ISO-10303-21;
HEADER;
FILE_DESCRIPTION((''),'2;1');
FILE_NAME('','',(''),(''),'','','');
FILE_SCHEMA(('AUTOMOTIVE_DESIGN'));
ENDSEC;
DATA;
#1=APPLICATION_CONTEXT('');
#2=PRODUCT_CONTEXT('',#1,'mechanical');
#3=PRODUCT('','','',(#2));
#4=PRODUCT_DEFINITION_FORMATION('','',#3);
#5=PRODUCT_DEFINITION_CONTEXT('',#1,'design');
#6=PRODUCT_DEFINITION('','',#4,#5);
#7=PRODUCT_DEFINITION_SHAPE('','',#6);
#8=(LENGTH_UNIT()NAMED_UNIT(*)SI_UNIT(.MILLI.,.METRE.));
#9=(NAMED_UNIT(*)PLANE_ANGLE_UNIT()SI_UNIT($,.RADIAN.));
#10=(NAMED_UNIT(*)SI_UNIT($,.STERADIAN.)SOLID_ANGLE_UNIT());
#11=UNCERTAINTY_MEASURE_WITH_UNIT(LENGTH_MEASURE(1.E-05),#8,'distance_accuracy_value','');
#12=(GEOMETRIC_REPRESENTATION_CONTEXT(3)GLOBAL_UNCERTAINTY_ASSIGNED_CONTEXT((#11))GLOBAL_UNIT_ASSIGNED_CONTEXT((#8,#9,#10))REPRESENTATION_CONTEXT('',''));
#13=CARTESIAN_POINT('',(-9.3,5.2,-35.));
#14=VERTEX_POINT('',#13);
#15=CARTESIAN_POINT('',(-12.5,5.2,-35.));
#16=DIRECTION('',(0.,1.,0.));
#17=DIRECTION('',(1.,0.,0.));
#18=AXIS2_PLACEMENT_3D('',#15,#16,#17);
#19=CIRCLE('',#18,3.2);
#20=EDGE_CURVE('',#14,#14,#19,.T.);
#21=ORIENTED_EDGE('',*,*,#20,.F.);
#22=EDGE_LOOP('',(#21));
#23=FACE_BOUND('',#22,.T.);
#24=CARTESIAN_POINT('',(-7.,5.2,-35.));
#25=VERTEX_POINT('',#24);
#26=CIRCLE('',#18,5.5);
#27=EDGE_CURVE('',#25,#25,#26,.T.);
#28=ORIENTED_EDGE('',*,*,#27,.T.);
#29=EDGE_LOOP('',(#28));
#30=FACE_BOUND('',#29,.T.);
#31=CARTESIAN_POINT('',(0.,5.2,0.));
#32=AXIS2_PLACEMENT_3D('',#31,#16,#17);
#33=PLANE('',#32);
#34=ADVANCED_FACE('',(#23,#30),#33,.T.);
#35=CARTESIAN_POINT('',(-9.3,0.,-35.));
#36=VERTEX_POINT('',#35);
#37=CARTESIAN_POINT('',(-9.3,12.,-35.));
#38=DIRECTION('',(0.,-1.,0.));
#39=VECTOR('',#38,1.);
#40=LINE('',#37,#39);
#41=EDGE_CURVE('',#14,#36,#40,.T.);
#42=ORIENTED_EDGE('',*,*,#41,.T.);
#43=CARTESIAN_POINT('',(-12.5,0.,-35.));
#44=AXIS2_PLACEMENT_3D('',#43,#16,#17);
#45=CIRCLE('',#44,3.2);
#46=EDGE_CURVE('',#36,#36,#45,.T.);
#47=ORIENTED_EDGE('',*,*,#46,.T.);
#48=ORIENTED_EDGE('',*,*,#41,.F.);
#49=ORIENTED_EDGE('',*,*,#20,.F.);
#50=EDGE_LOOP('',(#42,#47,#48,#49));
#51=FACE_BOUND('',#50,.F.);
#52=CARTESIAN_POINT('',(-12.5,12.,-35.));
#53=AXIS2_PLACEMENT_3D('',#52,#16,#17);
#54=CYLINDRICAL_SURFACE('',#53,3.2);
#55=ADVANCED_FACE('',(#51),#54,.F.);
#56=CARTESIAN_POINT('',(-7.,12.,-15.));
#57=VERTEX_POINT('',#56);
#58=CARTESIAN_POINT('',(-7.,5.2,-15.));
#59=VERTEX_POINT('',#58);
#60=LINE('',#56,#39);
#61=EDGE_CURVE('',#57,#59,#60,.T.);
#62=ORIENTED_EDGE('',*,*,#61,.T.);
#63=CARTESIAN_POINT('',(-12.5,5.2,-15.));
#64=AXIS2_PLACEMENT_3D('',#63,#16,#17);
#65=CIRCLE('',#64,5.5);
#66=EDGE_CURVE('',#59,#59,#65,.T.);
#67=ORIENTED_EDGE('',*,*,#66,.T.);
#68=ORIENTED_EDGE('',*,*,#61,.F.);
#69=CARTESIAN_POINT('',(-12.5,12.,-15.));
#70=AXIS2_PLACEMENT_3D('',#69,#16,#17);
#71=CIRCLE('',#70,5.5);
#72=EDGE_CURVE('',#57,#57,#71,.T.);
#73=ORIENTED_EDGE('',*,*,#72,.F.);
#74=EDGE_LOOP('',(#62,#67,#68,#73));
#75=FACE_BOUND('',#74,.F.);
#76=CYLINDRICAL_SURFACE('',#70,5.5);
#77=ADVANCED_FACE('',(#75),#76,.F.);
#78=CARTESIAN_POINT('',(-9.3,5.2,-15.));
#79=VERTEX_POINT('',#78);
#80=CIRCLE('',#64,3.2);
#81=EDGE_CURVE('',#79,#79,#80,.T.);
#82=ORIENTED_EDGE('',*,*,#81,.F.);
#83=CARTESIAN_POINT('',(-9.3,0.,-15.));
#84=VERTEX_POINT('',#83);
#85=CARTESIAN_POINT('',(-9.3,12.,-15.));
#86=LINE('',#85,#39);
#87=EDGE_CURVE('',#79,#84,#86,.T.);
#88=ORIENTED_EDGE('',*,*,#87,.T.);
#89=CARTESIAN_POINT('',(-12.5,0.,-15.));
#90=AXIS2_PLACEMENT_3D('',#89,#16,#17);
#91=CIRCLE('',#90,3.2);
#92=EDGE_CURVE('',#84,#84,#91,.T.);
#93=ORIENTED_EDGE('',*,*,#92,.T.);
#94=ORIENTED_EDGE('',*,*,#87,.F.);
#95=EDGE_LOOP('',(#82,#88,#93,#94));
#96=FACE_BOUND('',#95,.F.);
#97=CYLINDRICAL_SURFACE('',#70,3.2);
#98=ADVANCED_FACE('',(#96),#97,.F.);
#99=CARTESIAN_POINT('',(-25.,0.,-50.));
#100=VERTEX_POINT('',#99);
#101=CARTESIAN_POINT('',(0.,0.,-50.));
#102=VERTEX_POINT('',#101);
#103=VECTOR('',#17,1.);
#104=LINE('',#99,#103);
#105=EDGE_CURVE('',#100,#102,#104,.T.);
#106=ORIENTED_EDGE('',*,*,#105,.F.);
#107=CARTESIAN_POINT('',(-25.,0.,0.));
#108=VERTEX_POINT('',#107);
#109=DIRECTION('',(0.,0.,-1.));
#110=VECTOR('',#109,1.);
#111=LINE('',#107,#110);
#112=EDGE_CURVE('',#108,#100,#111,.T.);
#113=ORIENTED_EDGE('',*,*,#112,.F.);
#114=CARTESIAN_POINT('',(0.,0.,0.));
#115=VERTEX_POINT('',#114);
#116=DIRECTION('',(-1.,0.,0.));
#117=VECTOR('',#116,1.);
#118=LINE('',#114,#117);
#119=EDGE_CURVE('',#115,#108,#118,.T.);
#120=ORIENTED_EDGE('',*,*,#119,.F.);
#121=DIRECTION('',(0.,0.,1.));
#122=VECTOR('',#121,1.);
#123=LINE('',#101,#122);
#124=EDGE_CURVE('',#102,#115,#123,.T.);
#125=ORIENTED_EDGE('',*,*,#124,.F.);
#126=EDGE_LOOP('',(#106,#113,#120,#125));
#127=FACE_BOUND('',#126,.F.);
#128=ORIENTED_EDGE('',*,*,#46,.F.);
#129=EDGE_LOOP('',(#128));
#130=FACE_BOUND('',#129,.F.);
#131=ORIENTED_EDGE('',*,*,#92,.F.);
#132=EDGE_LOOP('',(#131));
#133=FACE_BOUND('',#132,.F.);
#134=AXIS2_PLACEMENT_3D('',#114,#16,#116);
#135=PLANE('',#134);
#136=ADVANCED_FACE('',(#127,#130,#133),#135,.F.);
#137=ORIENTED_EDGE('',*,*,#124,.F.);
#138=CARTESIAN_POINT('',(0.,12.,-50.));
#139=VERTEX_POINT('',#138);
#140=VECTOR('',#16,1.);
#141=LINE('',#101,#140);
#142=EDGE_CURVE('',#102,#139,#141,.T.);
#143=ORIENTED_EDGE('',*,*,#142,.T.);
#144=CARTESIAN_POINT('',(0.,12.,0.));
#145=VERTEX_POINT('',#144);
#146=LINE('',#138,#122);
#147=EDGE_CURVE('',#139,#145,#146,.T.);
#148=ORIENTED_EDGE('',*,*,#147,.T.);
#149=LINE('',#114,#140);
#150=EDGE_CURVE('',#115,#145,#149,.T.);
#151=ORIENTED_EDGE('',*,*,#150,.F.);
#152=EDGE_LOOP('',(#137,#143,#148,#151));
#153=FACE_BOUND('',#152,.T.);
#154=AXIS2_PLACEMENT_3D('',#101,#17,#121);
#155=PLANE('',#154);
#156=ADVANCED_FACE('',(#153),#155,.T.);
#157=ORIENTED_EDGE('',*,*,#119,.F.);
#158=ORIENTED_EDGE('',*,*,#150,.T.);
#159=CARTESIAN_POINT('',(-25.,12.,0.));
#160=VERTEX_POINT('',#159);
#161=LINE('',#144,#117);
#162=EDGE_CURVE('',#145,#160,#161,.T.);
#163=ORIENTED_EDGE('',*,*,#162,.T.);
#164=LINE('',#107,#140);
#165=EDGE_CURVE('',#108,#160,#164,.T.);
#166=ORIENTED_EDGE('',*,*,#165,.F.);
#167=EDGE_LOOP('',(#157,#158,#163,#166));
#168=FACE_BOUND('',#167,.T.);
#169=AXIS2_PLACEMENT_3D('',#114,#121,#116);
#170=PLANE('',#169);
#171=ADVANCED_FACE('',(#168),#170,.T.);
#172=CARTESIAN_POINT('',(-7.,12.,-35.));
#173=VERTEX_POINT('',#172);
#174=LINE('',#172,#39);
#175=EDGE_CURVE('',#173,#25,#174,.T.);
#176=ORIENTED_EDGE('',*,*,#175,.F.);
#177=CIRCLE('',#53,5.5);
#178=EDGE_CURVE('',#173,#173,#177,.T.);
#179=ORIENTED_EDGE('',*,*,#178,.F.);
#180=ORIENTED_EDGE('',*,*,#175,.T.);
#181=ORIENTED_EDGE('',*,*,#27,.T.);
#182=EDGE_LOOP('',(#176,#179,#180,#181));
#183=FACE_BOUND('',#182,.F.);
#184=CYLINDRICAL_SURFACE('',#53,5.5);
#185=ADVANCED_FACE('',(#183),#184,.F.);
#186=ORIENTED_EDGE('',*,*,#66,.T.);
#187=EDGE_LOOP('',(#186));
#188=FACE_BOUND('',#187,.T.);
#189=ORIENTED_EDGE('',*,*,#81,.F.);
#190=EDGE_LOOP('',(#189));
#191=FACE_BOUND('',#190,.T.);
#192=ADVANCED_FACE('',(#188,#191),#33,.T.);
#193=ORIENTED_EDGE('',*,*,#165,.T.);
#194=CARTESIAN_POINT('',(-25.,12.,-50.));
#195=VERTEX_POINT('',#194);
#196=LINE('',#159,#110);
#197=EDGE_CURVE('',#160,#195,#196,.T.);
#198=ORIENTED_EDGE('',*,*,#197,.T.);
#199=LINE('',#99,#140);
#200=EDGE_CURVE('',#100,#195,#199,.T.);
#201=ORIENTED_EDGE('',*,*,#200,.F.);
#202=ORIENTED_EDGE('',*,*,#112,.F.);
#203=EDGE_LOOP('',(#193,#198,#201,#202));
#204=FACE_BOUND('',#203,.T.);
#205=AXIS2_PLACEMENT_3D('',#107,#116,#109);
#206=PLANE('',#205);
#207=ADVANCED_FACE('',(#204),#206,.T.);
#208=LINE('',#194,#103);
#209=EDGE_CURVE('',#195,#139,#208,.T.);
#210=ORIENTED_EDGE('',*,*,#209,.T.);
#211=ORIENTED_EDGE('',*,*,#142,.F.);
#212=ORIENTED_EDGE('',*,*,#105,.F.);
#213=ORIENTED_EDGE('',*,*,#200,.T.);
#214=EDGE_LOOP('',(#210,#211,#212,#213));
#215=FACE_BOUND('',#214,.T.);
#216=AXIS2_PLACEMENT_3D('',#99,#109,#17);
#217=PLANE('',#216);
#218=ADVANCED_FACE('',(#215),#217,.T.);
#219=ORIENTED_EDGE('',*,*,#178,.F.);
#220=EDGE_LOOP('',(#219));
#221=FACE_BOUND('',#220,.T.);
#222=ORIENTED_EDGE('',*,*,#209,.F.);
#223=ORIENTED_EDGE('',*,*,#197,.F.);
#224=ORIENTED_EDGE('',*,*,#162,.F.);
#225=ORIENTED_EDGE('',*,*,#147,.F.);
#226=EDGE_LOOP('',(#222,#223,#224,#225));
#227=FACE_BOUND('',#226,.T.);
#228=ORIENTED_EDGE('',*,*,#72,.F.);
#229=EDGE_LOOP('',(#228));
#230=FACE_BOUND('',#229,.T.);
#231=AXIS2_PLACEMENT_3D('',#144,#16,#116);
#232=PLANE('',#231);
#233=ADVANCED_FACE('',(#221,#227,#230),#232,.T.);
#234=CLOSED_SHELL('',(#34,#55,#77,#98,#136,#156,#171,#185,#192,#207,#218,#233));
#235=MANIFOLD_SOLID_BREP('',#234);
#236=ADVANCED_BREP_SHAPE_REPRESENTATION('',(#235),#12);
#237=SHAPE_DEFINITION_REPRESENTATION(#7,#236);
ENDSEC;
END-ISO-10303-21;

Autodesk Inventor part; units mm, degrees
ref_plane "YZ Plane" through (0, 0, 0) normal (1, 0, 0) x (0, 1, 0)
ref_plane "XZ Plane" through (0, 0, 0) normal (0, 1, 0) x (-1, 0, 0)
ref_plane "XY Plane" through (0, 0, 0) normal (0, 0, 1) x (1, 0, 0)
sketch "Sketch1" plane through (0, 0, 0) normal (0, 1, 0) x (-1, 0, 0)
  line L0 (0, 0) -> (25, 0)
  line L1 (25, 0) -> (25, -50)
  line L2 (25, -50) -> (0, -50)
  line L3 (0, -50) -> (0, 0)
  dimension "d0" = 25
  dimension "d1" = 50
extrude "Extrusion1" add sketch "Sketch1" along normal blind 12
sketch "Sketch2" plane through (0, 12, 0) normal (0, 1, 0) x (1, 0, 0)
  circle A0 centre (-12.5, 15) radius 3.2
  circle A1 centre (-12.5, 35) radius 3.2
  line L0 (-25, 0) -> (0, 0) projected
  line L1 (0, 0) -> (0, 50) projected
  dimension "d4" = 6.4
  dimension "d5" = 20
  dimension "d6" = 15
  dimension "d7" = 12.5
extrude "Extrusion2" cut sketch "Sketch2" against normal through all
sketch "Sketch3" plane through (0, 12, 0) normal (0, 1, 0) x (1, 0, 0)
  circle A0 centre (-12.5, 15) radius 3.2 projected
  circle A1 centre (-12.5, 15) radius 5.5
  circle A2 centre (-12.5, 35) radius 3.2 projected
  circle A3 centre (-12.5, 35) radius 5.5
  point P0 (0, 0)
  dimension "d10" = 11
extrude "Extrusion3" cut sketch "Sketch3" against normal blind 6.8 contours A0 | A1 | A2 | A3
